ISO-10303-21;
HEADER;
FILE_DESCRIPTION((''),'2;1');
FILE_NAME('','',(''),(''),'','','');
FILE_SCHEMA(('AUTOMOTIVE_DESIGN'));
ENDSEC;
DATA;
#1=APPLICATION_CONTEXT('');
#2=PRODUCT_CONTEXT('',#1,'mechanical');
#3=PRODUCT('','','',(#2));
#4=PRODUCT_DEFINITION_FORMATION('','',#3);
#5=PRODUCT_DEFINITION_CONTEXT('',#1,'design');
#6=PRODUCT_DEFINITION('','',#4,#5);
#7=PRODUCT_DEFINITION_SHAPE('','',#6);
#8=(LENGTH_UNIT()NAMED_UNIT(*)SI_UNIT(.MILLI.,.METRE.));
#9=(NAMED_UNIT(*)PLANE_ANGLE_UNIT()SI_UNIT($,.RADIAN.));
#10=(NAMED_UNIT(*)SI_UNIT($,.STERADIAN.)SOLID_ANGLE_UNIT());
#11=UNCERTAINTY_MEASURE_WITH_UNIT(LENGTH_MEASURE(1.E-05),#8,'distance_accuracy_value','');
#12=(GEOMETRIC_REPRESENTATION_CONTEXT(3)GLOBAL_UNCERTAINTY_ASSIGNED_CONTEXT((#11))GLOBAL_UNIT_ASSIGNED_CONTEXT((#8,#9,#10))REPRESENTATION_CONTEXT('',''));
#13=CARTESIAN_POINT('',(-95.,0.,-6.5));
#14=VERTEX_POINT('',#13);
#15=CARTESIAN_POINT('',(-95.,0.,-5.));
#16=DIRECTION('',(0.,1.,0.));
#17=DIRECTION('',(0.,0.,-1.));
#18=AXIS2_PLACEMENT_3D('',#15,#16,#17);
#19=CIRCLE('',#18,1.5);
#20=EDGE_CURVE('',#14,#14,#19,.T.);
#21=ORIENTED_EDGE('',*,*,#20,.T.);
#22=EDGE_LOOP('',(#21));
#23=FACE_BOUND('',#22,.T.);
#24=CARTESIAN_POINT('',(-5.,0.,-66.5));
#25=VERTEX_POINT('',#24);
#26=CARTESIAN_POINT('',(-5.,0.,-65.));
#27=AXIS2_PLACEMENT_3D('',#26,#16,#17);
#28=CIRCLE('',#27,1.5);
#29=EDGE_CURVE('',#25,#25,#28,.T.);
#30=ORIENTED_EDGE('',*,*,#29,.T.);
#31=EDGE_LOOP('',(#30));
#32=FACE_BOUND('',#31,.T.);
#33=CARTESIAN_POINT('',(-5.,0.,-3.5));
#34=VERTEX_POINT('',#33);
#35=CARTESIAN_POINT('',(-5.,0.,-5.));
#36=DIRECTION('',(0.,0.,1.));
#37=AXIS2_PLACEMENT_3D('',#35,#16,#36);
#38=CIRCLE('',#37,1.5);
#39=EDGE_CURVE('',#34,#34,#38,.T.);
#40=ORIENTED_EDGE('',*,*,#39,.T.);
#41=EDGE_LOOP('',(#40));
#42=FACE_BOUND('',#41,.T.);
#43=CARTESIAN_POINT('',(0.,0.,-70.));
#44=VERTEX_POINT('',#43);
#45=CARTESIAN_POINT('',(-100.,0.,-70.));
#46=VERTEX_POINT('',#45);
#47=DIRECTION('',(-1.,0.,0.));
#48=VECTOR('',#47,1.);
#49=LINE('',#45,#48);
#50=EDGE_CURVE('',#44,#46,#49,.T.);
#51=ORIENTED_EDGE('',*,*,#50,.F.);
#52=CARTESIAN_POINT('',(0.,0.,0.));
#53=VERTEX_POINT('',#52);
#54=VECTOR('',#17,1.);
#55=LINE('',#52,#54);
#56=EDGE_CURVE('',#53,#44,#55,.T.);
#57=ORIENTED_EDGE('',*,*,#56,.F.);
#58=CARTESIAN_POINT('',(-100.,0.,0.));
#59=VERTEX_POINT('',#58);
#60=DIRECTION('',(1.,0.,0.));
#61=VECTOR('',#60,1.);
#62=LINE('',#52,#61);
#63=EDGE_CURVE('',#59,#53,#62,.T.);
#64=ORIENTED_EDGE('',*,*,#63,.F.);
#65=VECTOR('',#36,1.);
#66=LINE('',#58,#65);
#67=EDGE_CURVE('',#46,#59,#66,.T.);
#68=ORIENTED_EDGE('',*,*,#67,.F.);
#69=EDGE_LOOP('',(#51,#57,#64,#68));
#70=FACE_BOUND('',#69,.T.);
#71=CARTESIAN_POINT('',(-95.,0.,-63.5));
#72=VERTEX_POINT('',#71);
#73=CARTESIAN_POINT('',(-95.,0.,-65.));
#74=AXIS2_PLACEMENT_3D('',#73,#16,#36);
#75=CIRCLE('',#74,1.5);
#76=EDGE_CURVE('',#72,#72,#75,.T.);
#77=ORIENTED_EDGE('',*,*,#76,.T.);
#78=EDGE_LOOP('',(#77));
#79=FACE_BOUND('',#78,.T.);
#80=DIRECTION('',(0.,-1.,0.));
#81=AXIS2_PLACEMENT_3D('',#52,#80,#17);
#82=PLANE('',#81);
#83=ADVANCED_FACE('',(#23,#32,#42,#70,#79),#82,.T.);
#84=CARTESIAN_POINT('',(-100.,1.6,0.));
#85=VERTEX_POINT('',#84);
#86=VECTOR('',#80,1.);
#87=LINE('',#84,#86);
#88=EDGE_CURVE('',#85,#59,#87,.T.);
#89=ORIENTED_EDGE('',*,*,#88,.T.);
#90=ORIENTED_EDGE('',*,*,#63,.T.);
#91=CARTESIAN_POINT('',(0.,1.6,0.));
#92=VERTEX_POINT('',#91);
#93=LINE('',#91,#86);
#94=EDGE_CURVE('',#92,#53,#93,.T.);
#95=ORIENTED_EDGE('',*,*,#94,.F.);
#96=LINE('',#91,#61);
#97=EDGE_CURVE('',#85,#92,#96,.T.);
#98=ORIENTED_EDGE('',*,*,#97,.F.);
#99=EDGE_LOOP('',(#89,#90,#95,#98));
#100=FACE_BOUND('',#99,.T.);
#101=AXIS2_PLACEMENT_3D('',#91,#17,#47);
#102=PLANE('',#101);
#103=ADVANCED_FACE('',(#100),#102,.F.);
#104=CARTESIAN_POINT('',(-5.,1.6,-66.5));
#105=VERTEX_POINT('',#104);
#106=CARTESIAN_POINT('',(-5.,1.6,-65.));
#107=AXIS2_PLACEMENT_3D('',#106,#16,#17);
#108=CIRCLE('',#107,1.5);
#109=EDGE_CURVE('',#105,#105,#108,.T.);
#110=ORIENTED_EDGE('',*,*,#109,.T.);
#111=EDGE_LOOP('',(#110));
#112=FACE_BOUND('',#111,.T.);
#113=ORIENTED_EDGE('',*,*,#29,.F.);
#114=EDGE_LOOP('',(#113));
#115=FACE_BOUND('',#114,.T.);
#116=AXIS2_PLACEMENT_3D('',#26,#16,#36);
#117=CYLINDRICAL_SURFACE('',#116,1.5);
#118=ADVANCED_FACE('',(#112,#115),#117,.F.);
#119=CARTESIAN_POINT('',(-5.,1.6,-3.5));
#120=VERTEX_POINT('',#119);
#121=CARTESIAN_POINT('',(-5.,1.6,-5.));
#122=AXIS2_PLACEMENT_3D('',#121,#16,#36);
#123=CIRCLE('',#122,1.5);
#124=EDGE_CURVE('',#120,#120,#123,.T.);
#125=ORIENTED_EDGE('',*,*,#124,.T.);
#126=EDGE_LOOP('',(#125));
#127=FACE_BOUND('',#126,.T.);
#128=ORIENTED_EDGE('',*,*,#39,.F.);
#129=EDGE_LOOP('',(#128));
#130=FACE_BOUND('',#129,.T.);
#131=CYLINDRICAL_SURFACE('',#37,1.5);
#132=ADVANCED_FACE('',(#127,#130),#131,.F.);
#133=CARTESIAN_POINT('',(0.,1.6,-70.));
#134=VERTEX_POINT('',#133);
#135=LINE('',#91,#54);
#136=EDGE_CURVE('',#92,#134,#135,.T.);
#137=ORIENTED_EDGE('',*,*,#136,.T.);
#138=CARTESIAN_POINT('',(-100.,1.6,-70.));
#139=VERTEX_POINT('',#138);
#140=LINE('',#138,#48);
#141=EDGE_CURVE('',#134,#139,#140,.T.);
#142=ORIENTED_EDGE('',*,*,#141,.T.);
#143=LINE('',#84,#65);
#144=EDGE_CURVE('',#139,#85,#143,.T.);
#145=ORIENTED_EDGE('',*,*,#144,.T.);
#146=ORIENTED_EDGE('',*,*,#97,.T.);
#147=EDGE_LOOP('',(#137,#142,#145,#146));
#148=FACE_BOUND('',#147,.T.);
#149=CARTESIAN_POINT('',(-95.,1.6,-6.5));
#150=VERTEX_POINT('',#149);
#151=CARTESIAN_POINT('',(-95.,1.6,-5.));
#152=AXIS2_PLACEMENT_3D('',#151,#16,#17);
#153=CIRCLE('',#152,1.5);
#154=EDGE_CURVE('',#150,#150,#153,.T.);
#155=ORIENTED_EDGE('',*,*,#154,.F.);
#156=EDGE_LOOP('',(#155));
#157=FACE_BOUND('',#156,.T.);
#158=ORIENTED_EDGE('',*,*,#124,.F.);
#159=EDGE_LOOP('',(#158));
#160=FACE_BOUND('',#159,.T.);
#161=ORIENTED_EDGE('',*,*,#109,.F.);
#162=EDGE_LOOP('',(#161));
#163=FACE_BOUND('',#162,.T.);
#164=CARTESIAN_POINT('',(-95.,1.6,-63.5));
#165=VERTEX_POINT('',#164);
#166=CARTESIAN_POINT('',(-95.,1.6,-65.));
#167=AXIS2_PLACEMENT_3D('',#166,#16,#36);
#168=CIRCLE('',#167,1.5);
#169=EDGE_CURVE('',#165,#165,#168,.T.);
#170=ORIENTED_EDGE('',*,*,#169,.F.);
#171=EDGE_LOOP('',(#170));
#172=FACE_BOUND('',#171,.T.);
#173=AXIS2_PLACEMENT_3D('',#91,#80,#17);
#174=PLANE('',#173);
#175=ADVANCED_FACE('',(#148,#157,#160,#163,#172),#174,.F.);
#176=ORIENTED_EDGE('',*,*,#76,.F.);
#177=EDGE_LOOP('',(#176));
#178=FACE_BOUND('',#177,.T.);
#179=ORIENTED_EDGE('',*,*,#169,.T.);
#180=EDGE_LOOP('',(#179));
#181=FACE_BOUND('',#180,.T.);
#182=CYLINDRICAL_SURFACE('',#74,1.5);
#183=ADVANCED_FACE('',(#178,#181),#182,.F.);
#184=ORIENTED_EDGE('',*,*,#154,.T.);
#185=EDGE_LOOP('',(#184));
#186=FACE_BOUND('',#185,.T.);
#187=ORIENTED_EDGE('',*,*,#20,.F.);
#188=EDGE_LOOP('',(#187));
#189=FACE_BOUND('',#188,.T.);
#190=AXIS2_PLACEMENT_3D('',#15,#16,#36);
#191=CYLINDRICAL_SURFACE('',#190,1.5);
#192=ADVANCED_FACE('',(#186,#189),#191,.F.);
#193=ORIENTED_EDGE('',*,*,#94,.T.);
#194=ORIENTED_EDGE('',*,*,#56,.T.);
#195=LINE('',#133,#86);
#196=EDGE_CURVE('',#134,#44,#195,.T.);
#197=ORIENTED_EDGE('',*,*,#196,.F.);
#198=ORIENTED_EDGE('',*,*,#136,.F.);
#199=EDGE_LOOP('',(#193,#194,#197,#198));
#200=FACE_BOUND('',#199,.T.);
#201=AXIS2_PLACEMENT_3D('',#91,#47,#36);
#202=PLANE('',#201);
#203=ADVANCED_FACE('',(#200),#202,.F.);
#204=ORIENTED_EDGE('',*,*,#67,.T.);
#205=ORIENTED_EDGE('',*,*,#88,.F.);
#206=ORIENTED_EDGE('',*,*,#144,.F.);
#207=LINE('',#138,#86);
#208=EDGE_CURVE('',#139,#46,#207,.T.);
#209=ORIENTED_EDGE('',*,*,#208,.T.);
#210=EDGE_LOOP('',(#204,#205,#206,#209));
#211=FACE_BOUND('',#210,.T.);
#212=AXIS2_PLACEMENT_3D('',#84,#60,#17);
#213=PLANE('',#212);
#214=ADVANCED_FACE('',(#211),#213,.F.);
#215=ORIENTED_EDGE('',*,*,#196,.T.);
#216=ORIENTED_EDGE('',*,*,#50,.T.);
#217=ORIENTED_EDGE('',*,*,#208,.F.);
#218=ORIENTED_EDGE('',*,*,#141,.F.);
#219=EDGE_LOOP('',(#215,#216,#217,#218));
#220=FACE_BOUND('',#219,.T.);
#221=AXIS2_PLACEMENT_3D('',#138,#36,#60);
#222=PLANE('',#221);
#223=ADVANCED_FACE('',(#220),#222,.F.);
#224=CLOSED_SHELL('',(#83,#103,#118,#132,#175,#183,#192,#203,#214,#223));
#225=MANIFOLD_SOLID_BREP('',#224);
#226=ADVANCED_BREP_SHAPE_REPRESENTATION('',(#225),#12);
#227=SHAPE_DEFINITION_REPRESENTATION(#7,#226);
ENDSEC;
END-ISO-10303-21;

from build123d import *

# Parameters (mm, degrees)
SKETCH_1_W          = 100
SKETCH_1_H          = 70
EXTRUDE_1_DEPTH     = 1.6
SKETCH_2_R          = 1.5
CUT_EXTRUDE_1_DEPTH = 123.076041876


with BuildPart() as part:
    # 草图1 → 凸台-拉伸1 (new body)
    with BuildSketch(Plane(origin=(0, 0, 0), x_dir=(1, 0, 0), z_dir=(0, 1, 0))):
        with Locations((-50, 35)):
            Rectangle(SKETCH_1_W, SKETCH_1_H)
    extrude(amount=EXTRUDE_1_DEPTH)

    # 草图2 → 切除-拉伸1 (cut, through all)
    with BuildSketch(Plane(origin=(0, 1.6, 0), x_dir=(1, 0, 0), z_dir=(0, 1, 0))):
        with Locations(Location((-95, 65, 0), (0, 0, 270))):
            Circle(SKETCH_2_R)
        with Locations(Location((-95, 5, 0), (0, 0, 90))):
            Circle(SKETCH_2_R)
        with Locations(Location((-5, 5, 0), (0, 0, 270))):
            Circle(SKETCH_2_R)
        with Locations(Location((-5, 65, 0), (0, 0, 90))):
            Circle(SKETCH_2_R)
    extrude(amount=-CUT_EXTRUDE_1_DEPTH, mode=Mode.SUBTRACT)


solid = part.part
